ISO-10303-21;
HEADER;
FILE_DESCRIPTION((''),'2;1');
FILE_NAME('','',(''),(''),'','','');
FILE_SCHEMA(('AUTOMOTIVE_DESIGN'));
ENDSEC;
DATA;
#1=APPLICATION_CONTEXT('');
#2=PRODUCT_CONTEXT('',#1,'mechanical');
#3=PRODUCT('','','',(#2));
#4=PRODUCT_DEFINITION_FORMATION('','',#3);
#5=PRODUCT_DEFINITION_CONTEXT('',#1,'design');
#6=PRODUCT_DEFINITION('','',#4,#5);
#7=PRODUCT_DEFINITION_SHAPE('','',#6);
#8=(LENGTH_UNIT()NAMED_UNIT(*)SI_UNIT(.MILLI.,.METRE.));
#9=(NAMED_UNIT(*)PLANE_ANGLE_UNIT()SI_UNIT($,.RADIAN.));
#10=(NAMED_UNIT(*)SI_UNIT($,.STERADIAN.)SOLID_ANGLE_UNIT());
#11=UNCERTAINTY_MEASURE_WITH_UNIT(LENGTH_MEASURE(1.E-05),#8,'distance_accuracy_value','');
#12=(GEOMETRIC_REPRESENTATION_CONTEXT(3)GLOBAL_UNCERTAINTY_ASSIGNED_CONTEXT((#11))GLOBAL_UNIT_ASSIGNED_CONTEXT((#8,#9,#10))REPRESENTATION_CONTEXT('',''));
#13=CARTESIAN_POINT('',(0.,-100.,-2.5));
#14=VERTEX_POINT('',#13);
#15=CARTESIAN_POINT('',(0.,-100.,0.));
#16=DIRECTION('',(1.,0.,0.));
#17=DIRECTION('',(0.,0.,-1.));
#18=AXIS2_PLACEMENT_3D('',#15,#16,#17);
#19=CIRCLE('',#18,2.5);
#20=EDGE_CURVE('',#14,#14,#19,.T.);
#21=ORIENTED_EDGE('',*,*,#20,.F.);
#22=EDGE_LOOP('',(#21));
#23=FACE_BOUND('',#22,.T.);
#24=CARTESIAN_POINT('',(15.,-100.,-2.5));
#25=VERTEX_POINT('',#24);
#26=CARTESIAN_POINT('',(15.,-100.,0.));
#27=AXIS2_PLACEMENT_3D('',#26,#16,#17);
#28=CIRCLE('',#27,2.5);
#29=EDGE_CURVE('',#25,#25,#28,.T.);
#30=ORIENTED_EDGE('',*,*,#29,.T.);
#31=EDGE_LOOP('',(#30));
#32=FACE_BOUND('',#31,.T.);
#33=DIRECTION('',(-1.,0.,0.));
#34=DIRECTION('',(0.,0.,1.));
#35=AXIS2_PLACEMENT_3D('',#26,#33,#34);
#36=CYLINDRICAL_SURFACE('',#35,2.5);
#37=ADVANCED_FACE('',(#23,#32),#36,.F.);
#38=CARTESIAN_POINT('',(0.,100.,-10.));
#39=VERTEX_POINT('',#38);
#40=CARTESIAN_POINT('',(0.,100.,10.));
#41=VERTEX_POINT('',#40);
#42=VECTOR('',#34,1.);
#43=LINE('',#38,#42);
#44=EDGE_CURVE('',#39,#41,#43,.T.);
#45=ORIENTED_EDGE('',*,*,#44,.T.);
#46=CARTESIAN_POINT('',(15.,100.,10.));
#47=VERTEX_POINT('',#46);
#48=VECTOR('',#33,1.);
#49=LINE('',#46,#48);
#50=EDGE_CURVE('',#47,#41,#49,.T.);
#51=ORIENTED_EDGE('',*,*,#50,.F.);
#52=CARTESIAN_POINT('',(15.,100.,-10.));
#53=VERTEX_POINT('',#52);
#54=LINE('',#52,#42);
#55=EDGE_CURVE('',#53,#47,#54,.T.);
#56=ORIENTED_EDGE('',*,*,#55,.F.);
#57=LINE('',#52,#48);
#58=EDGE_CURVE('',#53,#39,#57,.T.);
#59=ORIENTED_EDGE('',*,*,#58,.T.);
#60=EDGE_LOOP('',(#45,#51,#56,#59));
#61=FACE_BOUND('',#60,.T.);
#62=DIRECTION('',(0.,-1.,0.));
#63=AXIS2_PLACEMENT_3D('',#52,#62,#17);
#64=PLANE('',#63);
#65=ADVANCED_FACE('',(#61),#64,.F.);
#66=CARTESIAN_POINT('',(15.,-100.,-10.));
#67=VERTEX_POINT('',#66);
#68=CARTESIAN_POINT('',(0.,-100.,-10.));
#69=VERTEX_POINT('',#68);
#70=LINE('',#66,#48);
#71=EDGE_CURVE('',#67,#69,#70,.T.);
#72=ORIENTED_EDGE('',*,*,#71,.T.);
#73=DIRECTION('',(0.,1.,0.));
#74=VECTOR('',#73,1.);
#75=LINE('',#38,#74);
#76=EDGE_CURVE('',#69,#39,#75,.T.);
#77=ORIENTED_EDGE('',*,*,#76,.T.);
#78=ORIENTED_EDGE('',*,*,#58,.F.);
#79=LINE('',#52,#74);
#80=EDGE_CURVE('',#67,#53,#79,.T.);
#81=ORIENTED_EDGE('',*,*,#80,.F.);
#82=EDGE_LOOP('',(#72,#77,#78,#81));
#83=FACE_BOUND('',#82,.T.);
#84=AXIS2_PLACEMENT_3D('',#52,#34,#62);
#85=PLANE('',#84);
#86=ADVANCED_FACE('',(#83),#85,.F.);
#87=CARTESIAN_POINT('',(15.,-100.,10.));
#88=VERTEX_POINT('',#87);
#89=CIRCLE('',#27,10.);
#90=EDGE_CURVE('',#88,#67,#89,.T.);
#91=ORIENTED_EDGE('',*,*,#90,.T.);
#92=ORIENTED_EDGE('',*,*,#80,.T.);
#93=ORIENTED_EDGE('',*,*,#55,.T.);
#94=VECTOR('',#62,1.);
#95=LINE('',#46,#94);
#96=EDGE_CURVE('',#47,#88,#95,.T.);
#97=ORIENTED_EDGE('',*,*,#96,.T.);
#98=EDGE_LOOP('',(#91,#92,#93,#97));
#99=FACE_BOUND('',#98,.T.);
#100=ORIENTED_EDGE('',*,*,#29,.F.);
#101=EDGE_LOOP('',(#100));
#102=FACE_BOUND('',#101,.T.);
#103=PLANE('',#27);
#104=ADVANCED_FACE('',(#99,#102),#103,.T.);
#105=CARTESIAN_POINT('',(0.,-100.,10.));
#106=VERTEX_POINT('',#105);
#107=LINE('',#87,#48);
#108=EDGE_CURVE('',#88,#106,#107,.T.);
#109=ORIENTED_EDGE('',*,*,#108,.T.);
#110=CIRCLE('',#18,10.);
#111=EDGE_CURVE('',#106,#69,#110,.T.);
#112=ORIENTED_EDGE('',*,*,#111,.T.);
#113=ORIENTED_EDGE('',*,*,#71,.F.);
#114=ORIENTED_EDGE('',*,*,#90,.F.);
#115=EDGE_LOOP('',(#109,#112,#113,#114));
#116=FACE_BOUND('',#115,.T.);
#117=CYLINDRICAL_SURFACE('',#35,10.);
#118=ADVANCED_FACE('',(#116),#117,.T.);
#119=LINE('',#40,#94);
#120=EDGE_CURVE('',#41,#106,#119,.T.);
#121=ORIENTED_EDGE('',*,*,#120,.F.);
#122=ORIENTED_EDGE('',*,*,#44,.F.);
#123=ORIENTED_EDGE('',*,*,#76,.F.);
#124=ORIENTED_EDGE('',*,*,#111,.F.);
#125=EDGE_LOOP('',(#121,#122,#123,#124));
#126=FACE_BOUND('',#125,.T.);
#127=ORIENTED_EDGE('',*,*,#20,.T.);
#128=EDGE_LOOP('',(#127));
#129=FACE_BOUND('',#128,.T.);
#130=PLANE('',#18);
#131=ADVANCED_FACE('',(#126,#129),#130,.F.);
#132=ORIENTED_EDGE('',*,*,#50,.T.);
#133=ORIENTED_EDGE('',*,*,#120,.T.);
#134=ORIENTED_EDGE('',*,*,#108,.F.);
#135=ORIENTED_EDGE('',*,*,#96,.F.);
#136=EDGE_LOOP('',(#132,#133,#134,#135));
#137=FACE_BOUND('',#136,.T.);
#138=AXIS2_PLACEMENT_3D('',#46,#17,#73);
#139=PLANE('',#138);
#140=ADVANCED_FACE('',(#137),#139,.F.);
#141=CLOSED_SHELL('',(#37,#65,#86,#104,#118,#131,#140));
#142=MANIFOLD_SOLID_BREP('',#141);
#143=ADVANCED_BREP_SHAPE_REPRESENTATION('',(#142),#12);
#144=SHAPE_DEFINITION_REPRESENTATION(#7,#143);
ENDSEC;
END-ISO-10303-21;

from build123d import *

# Parameters (mm, degrees)
ESQUISSE3_R = 2.5
BASE_DEPTH  = 15


with BuildPart() as part:
    # Esquisse3 → BASE (new body)
    with BuildSketch(Plane(origin=(0, 0, 0), x_dir=(0, 0, -1), z_dir=(1, 0, 0))):
        with BuildLine():
            Line((10, 100), (-10, 100))
            Line((-10, 100), (-10, -100))
            ThreePointArc((-10, -100), (0, -110), (10, -100))
            Line((10, -100), (10, 100))
        make_face()
        with Locations((0, -100)):
            Circle(ESQUISSE3_R, mode=Mode.SUBTRACT)
    extrude(amount=BASE_DEPTH)


solid = part.part
